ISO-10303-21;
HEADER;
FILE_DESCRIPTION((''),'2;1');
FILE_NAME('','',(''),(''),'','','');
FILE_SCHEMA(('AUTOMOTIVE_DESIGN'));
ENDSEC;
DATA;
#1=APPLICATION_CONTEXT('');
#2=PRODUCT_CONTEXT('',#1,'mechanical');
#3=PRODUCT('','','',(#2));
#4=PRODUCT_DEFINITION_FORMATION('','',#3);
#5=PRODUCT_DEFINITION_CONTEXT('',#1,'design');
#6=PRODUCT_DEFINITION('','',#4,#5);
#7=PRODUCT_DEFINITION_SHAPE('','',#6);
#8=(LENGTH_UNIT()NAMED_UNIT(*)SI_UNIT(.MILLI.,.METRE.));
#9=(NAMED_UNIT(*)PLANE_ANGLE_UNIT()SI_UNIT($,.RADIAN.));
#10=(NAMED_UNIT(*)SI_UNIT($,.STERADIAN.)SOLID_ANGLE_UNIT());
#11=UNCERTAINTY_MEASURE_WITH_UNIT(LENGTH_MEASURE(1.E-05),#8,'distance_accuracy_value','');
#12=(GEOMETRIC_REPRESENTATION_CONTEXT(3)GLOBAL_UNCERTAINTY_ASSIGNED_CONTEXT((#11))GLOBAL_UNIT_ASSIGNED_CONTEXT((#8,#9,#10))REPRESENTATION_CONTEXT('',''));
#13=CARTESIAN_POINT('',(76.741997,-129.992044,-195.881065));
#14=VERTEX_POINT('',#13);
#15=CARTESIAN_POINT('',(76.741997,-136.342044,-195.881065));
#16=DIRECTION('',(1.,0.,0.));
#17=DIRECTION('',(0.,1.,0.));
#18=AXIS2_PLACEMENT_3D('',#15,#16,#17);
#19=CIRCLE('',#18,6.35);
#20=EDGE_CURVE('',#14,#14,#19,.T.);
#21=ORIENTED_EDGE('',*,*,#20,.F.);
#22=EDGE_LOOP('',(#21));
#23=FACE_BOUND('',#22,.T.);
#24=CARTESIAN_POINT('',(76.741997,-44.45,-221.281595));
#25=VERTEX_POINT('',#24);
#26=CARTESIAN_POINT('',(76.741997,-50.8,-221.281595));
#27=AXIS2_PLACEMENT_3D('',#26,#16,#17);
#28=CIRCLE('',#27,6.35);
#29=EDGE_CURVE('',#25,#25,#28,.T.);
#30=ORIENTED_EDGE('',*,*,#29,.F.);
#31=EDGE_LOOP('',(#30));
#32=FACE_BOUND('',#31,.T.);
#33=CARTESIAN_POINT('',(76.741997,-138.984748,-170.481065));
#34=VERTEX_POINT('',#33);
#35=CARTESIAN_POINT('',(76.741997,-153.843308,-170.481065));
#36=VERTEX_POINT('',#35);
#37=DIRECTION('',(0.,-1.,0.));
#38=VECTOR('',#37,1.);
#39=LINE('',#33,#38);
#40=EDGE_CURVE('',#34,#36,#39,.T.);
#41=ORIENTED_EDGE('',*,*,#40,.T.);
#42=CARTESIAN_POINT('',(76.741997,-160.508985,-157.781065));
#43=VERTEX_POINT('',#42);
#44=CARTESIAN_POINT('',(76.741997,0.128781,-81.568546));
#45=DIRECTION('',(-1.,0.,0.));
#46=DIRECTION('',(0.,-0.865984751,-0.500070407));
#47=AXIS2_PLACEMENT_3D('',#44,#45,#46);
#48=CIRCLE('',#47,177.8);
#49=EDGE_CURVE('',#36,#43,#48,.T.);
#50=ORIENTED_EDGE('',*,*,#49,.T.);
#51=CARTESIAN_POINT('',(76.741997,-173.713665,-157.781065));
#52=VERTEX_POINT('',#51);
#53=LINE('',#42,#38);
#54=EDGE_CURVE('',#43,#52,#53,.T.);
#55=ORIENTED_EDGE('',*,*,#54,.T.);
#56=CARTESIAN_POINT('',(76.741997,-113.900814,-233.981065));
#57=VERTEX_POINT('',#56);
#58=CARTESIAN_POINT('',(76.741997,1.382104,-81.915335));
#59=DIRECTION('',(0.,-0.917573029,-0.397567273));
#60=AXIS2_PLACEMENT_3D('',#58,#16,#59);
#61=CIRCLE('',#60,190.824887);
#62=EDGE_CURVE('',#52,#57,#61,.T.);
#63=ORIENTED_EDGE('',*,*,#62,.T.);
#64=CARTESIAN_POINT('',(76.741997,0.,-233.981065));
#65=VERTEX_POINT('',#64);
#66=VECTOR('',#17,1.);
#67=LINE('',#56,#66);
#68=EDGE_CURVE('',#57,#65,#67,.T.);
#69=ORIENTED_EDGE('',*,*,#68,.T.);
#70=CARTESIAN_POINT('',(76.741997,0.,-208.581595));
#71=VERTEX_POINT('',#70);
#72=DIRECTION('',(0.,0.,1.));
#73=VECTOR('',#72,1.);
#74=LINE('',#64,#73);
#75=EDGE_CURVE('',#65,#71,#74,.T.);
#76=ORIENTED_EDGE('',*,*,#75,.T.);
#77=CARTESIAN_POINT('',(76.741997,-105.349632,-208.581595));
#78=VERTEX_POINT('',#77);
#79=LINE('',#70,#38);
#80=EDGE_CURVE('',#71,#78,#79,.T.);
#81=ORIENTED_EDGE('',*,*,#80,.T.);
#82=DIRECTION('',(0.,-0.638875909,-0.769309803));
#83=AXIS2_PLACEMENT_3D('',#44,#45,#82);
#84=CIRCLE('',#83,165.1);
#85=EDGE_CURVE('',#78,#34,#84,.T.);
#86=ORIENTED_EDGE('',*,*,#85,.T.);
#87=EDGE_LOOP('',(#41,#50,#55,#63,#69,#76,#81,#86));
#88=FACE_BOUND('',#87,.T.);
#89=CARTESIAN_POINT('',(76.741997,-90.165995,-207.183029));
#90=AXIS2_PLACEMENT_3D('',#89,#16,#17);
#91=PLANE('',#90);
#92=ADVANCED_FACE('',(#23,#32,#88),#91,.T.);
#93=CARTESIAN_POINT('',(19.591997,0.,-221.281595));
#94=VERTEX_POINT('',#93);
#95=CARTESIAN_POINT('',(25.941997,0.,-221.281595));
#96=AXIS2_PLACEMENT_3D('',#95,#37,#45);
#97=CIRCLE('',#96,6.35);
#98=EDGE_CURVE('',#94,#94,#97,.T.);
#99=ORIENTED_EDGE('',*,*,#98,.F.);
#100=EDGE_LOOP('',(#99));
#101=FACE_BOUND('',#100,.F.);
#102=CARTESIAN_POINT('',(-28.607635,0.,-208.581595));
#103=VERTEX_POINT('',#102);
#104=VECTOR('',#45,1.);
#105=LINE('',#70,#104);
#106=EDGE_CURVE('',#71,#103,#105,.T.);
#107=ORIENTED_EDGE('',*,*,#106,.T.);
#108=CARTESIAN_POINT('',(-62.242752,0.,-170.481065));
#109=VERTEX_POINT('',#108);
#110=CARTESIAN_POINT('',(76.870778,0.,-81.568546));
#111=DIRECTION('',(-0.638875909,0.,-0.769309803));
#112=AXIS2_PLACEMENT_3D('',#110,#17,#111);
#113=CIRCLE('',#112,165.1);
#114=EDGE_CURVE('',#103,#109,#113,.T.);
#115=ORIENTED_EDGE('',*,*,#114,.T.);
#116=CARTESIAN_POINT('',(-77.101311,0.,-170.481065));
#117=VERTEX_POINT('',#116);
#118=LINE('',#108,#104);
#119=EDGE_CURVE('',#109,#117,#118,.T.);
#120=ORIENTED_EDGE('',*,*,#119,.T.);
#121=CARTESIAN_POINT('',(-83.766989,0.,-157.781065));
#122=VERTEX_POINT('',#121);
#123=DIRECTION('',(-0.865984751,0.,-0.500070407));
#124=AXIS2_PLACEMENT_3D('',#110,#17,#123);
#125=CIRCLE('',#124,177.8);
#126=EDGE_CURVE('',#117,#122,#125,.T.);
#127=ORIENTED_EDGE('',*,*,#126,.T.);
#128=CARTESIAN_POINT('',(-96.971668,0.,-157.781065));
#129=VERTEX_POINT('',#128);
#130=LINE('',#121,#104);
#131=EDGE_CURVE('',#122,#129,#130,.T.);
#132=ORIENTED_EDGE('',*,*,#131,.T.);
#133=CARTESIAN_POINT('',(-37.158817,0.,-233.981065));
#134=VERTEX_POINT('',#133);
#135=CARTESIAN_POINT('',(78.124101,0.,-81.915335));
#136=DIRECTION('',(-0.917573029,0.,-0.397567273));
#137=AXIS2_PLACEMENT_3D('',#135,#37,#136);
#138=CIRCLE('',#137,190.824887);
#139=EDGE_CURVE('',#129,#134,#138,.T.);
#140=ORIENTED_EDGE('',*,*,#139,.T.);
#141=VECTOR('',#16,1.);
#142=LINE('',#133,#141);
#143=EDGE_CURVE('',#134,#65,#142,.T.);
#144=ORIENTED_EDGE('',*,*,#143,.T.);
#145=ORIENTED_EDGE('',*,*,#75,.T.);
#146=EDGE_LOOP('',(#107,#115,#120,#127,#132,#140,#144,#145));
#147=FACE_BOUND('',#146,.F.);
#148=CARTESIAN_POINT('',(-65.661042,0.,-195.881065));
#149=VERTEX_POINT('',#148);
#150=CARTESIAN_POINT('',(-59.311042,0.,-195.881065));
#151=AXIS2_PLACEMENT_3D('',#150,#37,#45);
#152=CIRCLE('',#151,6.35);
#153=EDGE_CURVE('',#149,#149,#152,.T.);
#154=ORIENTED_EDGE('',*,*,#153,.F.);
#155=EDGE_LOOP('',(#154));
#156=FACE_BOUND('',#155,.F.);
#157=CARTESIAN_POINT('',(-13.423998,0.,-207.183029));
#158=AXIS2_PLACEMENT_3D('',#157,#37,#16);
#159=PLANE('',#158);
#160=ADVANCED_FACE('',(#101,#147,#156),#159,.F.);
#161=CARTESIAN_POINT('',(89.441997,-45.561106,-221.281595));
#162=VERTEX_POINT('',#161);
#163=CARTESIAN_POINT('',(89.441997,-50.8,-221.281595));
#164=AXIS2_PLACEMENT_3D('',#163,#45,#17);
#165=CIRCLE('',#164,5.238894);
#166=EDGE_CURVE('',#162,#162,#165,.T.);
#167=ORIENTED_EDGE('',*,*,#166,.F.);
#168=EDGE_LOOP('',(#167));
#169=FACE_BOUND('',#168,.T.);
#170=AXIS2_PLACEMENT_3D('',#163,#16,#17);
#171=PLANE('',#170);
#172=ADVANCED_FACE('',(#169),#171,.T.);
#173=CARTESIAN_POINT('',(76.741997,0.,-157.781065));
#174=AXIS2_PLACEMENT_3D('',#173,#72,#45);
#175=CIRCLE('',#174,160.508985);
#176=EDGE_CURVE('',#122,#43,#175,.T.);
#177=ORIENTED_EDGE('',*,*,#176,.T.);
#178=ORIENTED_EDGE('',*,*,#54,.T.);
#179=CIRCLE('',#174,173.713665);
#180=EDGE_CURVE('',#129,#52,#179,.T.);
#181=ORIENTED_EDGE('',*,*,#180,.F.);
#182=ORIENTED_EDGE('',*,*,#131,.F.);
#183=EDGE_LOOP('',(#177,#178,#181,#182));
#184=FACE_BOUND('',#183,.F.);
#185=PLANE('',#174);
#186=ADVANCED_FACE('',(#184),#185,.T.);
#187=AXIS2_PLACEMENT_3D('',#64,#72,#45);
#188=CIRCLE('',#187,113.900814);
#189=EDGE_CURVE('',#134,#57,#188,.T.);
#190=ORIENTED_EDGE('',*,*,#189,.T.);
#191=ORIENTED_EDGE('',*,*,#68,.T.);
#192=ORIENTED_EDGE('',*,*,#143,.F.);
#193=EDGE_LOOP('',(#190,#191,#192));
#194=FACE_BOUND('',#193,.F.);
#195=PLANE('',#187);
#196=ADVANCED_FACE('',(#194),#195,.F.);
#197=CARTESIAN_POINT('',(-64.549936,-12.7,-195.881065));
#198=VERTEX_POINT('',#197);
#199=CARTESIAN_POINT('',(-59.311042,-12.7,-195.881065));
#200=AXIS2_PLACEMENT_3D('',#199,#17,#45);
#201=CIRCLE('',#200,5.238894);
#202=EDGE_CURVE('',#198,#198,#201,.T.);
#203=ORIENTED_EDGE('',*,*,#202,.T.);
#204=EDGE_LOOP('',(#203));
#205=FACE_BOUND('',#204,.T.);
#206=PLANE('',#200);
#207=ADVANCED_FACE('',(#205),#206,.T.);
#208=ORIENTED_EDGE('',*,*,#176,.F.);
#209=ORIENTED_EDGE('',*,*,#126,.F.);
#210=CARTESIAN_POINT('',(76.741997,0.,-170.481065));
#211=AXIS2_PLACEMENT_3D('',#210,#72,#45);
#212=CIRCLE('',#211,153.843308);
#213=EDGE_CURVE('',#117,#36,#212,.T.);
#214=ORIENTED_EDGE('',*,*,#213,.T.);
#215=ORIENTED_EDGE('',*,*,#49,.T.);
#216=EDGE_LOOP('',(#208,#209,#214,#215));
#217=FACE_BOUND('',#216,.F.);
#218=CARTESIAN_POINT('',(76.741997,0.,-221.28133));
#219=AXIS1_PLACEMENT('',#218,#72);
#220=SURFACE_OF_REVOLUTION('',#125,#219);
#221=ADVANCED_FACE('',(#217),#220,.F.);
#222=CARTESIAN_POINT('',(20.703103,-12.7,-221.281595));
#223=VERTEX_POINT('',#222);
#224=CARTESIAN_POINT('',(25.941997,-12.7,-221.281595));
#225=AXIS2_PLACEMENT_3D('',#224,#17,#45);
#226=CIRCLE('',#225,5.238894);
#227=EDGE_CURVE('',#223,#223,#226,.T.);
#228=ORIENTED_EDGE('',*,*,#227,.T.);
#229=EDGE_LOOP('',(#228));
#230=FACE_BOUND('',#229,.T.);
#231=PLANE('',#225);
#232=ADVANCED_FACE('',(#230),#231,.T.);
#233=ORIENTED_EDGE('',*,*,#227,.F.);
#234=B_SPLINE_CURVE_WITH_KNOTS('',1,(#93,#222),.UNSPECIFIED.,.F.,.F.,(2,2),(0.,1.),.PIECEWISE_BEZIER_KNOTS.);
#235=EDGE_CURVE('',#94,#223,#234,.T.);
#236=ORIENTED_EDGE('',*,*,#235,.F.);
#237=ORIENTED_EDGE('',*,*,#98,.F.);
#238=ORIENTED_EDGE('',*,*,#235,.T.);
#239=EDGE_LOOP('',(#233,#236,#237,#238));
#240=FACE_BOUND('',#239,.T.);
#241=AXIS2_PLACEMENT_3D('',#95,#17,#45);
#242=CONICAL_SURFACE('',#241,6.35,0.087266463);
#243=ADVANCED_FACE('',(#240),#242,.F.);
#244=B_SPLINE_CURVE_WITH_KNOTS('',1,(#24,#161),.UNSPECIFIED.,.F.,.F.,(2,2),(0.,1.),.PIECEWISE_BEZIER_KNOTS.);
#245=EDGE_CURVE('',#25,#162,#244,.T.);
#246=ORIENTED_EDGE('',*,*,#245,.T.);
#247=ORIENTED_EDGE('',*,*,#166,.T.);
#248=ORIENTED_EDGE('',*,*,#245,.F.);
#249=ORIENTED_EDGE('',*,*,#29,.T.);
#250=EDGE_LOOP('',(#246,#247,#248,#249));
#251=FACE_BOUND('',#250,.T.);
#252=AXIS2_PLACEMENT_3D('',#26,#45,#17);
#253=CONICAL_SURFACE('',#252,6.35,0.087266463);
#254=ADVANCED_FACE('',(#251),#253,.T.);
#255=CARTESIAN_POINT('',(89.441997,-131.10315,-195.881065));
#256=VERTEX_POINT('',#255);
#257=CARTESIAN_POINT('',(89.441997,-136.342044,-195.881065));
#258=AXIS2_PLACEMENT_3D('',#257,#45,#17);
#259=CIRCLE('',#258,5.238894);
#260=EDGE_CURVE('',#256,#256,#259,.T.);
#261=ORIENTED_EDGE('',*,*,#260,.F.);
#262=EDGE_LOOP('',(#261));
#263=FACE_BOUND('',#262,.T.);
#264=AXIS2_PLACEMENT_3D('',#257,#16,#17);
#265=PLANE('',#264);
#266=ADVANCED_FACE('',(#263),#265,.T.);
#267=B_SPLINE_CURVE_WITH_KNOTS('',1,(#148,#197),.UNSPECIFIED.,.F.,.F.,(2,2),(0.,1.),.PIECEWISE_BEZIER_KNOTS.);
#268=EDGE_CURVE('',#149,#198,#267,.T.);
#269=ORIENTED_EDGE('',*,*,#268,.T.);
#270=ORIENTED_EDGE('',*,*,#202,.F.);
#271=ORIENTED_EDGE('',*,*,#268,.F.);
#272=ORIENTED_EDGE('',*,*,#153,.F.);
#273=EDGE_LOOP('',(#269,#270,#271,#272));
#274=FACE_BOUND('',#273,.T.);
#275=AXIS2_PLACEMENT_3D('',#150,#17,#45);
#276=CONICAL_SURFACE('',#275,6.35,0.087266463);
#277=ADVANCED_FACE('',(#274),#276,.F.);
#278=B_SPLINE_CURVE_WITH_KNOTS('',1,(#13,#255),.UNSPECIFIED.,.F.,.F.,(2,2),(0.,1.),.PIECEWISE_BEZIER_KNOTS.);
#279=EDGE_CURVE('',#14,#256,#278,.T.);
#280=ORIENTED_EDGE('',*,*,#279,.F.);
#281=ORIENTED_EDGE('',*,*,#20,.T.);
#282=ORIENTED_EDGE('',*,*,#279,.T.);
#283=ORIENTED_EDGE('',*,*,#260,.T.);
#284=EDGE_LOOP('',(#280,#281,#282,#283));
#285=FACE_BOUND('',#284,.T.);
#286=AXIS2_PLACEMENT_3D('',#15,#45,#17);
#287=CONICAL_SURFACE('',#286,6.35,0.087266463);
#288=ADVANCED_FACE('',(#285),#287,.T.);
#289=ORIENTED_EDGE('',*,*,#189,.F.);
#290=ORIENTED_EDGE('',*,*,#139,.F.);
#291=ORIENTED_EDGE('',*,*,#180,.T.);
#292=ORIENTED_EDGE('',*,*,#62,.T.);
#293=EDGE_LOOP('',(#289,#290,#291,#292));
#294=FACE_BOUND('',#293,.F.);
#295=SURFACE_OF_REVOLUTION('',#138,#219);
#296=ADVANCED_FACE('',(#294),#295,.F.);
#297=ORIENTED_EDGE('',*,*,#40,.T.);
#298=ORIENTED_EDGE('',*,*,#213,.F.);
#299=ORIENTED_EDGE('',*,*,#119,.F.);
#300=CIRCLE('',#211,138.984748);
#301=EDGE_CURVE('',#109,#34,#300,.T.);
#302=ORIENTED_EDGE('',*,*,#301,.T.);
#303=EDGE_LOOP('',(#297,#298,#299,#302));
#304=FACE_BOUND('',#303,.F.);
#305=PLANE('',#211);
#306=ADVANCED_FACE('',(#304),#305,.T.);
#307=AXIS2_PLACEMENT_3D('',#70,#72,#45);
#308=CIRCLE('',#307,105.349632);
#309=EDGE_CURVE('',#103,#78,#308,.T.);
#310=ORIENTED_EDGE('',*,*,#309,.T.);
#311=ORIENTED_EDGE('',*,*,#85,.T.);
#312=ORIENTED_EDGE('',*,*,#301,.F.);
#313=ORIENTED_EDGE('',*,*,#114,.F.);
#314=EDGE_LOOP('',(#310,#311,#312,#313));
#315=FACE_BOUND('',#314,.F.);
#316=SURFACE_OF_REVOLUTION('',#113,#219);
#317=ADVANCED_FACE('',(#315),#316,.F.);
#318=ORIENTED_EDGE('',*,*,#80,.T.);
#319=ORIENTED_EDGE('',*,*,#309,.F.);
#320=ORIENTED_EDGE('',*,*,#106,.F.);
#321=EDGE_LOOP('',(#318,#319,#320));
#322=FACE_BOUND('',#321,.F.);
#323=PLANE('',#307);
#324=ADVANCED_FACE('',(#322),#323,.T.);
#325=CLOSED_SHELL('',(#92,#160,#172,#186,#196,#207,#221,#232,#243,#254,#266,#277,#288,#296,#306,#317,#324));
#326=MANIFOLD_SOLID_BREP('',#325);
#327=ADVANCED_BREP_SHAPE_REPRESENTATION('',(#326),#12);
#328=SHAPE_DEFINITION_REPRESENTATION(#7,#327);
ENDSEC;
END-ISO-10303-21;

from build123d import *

# Parameters (mm, degrees)
F1_ANGLE = 90
F2_R     = 6.35
F3_DEPTH = 12.7
F3_TAPER = 5
F4_R     = 6.35
F5_DEPTH = 12.7
F5_TAPER = 5


with BuildPart() as f1:
    # F0 (on Front) → F1 (revolve)
    with BuildSketch(Plane.XZ):
        with BuildLine():
            ThreePointArc((-77.1013106813, -170.4810645103), (-80.5622641491, -164.1983062461), (-83.7669886019, -157.7810645103))
            Line((-83.7669886019, -157.7810645103), (-96.971668303, -157.7810645103))
            ThreePointArc((-96.971668303, -157.7810645103), (-71.9810472081, -199.7397034229), (-37.1588170528, -233.9810645103))
            Line((-37.1588170528, -233.9810645103), (76.7419968518, -233.9810645103))
            Line((76.7419968518, -233.9810645103), (76.7419968518, -208.5815945789))
            Line((76.7419968518, -208.5815945789), (-28.6076346844, -208.5815945789))
            ThreePointArc((-28.6076346844, -208.5815945789), (-46.9000470933, -190.8333294487), (-62.2427515075, -170.4810645103))
            Line((-62.2427515075, -170.4810645103), (-77.1013106813, -170.4810645103))
        make_face()
    revolve(axis=Axis((76.7419968518, 0, -221.2813295446), (0, 0, 1)), revolution_arc=F1_ANGLE)

    # F2 (on face) → F3 (join)
    with BuildSketch(Plane.YZ.offset(76.7419968518)):
        with Locations((-136.3420439451, -195.8810645103)):
            Circle(F2_R)
        with Locations((-50.7999999993, -221.2815945789)):
            Circle(F2_R)
    extrude(amount=F3_DEPTH, taper=F3_TAPER)

    # F4 (on face) → F5 (cut)
    with BuildSketch(Plane(origin=(0, 0, 0), x_dir=(-1, 0, 0), z_dir=(0, 1, 0))):
        with Locations((-25.9419968518, -221.2815945789)):
            Circle(F4_R)
        with Locations((59.3110422283, -195.8810645103)):
            Circle(F4_R)
    extrude(amount=-F5_DEPTH, taper=F5_TAPER, mode=Mode.SUBTRACT)


solid = f1.part
